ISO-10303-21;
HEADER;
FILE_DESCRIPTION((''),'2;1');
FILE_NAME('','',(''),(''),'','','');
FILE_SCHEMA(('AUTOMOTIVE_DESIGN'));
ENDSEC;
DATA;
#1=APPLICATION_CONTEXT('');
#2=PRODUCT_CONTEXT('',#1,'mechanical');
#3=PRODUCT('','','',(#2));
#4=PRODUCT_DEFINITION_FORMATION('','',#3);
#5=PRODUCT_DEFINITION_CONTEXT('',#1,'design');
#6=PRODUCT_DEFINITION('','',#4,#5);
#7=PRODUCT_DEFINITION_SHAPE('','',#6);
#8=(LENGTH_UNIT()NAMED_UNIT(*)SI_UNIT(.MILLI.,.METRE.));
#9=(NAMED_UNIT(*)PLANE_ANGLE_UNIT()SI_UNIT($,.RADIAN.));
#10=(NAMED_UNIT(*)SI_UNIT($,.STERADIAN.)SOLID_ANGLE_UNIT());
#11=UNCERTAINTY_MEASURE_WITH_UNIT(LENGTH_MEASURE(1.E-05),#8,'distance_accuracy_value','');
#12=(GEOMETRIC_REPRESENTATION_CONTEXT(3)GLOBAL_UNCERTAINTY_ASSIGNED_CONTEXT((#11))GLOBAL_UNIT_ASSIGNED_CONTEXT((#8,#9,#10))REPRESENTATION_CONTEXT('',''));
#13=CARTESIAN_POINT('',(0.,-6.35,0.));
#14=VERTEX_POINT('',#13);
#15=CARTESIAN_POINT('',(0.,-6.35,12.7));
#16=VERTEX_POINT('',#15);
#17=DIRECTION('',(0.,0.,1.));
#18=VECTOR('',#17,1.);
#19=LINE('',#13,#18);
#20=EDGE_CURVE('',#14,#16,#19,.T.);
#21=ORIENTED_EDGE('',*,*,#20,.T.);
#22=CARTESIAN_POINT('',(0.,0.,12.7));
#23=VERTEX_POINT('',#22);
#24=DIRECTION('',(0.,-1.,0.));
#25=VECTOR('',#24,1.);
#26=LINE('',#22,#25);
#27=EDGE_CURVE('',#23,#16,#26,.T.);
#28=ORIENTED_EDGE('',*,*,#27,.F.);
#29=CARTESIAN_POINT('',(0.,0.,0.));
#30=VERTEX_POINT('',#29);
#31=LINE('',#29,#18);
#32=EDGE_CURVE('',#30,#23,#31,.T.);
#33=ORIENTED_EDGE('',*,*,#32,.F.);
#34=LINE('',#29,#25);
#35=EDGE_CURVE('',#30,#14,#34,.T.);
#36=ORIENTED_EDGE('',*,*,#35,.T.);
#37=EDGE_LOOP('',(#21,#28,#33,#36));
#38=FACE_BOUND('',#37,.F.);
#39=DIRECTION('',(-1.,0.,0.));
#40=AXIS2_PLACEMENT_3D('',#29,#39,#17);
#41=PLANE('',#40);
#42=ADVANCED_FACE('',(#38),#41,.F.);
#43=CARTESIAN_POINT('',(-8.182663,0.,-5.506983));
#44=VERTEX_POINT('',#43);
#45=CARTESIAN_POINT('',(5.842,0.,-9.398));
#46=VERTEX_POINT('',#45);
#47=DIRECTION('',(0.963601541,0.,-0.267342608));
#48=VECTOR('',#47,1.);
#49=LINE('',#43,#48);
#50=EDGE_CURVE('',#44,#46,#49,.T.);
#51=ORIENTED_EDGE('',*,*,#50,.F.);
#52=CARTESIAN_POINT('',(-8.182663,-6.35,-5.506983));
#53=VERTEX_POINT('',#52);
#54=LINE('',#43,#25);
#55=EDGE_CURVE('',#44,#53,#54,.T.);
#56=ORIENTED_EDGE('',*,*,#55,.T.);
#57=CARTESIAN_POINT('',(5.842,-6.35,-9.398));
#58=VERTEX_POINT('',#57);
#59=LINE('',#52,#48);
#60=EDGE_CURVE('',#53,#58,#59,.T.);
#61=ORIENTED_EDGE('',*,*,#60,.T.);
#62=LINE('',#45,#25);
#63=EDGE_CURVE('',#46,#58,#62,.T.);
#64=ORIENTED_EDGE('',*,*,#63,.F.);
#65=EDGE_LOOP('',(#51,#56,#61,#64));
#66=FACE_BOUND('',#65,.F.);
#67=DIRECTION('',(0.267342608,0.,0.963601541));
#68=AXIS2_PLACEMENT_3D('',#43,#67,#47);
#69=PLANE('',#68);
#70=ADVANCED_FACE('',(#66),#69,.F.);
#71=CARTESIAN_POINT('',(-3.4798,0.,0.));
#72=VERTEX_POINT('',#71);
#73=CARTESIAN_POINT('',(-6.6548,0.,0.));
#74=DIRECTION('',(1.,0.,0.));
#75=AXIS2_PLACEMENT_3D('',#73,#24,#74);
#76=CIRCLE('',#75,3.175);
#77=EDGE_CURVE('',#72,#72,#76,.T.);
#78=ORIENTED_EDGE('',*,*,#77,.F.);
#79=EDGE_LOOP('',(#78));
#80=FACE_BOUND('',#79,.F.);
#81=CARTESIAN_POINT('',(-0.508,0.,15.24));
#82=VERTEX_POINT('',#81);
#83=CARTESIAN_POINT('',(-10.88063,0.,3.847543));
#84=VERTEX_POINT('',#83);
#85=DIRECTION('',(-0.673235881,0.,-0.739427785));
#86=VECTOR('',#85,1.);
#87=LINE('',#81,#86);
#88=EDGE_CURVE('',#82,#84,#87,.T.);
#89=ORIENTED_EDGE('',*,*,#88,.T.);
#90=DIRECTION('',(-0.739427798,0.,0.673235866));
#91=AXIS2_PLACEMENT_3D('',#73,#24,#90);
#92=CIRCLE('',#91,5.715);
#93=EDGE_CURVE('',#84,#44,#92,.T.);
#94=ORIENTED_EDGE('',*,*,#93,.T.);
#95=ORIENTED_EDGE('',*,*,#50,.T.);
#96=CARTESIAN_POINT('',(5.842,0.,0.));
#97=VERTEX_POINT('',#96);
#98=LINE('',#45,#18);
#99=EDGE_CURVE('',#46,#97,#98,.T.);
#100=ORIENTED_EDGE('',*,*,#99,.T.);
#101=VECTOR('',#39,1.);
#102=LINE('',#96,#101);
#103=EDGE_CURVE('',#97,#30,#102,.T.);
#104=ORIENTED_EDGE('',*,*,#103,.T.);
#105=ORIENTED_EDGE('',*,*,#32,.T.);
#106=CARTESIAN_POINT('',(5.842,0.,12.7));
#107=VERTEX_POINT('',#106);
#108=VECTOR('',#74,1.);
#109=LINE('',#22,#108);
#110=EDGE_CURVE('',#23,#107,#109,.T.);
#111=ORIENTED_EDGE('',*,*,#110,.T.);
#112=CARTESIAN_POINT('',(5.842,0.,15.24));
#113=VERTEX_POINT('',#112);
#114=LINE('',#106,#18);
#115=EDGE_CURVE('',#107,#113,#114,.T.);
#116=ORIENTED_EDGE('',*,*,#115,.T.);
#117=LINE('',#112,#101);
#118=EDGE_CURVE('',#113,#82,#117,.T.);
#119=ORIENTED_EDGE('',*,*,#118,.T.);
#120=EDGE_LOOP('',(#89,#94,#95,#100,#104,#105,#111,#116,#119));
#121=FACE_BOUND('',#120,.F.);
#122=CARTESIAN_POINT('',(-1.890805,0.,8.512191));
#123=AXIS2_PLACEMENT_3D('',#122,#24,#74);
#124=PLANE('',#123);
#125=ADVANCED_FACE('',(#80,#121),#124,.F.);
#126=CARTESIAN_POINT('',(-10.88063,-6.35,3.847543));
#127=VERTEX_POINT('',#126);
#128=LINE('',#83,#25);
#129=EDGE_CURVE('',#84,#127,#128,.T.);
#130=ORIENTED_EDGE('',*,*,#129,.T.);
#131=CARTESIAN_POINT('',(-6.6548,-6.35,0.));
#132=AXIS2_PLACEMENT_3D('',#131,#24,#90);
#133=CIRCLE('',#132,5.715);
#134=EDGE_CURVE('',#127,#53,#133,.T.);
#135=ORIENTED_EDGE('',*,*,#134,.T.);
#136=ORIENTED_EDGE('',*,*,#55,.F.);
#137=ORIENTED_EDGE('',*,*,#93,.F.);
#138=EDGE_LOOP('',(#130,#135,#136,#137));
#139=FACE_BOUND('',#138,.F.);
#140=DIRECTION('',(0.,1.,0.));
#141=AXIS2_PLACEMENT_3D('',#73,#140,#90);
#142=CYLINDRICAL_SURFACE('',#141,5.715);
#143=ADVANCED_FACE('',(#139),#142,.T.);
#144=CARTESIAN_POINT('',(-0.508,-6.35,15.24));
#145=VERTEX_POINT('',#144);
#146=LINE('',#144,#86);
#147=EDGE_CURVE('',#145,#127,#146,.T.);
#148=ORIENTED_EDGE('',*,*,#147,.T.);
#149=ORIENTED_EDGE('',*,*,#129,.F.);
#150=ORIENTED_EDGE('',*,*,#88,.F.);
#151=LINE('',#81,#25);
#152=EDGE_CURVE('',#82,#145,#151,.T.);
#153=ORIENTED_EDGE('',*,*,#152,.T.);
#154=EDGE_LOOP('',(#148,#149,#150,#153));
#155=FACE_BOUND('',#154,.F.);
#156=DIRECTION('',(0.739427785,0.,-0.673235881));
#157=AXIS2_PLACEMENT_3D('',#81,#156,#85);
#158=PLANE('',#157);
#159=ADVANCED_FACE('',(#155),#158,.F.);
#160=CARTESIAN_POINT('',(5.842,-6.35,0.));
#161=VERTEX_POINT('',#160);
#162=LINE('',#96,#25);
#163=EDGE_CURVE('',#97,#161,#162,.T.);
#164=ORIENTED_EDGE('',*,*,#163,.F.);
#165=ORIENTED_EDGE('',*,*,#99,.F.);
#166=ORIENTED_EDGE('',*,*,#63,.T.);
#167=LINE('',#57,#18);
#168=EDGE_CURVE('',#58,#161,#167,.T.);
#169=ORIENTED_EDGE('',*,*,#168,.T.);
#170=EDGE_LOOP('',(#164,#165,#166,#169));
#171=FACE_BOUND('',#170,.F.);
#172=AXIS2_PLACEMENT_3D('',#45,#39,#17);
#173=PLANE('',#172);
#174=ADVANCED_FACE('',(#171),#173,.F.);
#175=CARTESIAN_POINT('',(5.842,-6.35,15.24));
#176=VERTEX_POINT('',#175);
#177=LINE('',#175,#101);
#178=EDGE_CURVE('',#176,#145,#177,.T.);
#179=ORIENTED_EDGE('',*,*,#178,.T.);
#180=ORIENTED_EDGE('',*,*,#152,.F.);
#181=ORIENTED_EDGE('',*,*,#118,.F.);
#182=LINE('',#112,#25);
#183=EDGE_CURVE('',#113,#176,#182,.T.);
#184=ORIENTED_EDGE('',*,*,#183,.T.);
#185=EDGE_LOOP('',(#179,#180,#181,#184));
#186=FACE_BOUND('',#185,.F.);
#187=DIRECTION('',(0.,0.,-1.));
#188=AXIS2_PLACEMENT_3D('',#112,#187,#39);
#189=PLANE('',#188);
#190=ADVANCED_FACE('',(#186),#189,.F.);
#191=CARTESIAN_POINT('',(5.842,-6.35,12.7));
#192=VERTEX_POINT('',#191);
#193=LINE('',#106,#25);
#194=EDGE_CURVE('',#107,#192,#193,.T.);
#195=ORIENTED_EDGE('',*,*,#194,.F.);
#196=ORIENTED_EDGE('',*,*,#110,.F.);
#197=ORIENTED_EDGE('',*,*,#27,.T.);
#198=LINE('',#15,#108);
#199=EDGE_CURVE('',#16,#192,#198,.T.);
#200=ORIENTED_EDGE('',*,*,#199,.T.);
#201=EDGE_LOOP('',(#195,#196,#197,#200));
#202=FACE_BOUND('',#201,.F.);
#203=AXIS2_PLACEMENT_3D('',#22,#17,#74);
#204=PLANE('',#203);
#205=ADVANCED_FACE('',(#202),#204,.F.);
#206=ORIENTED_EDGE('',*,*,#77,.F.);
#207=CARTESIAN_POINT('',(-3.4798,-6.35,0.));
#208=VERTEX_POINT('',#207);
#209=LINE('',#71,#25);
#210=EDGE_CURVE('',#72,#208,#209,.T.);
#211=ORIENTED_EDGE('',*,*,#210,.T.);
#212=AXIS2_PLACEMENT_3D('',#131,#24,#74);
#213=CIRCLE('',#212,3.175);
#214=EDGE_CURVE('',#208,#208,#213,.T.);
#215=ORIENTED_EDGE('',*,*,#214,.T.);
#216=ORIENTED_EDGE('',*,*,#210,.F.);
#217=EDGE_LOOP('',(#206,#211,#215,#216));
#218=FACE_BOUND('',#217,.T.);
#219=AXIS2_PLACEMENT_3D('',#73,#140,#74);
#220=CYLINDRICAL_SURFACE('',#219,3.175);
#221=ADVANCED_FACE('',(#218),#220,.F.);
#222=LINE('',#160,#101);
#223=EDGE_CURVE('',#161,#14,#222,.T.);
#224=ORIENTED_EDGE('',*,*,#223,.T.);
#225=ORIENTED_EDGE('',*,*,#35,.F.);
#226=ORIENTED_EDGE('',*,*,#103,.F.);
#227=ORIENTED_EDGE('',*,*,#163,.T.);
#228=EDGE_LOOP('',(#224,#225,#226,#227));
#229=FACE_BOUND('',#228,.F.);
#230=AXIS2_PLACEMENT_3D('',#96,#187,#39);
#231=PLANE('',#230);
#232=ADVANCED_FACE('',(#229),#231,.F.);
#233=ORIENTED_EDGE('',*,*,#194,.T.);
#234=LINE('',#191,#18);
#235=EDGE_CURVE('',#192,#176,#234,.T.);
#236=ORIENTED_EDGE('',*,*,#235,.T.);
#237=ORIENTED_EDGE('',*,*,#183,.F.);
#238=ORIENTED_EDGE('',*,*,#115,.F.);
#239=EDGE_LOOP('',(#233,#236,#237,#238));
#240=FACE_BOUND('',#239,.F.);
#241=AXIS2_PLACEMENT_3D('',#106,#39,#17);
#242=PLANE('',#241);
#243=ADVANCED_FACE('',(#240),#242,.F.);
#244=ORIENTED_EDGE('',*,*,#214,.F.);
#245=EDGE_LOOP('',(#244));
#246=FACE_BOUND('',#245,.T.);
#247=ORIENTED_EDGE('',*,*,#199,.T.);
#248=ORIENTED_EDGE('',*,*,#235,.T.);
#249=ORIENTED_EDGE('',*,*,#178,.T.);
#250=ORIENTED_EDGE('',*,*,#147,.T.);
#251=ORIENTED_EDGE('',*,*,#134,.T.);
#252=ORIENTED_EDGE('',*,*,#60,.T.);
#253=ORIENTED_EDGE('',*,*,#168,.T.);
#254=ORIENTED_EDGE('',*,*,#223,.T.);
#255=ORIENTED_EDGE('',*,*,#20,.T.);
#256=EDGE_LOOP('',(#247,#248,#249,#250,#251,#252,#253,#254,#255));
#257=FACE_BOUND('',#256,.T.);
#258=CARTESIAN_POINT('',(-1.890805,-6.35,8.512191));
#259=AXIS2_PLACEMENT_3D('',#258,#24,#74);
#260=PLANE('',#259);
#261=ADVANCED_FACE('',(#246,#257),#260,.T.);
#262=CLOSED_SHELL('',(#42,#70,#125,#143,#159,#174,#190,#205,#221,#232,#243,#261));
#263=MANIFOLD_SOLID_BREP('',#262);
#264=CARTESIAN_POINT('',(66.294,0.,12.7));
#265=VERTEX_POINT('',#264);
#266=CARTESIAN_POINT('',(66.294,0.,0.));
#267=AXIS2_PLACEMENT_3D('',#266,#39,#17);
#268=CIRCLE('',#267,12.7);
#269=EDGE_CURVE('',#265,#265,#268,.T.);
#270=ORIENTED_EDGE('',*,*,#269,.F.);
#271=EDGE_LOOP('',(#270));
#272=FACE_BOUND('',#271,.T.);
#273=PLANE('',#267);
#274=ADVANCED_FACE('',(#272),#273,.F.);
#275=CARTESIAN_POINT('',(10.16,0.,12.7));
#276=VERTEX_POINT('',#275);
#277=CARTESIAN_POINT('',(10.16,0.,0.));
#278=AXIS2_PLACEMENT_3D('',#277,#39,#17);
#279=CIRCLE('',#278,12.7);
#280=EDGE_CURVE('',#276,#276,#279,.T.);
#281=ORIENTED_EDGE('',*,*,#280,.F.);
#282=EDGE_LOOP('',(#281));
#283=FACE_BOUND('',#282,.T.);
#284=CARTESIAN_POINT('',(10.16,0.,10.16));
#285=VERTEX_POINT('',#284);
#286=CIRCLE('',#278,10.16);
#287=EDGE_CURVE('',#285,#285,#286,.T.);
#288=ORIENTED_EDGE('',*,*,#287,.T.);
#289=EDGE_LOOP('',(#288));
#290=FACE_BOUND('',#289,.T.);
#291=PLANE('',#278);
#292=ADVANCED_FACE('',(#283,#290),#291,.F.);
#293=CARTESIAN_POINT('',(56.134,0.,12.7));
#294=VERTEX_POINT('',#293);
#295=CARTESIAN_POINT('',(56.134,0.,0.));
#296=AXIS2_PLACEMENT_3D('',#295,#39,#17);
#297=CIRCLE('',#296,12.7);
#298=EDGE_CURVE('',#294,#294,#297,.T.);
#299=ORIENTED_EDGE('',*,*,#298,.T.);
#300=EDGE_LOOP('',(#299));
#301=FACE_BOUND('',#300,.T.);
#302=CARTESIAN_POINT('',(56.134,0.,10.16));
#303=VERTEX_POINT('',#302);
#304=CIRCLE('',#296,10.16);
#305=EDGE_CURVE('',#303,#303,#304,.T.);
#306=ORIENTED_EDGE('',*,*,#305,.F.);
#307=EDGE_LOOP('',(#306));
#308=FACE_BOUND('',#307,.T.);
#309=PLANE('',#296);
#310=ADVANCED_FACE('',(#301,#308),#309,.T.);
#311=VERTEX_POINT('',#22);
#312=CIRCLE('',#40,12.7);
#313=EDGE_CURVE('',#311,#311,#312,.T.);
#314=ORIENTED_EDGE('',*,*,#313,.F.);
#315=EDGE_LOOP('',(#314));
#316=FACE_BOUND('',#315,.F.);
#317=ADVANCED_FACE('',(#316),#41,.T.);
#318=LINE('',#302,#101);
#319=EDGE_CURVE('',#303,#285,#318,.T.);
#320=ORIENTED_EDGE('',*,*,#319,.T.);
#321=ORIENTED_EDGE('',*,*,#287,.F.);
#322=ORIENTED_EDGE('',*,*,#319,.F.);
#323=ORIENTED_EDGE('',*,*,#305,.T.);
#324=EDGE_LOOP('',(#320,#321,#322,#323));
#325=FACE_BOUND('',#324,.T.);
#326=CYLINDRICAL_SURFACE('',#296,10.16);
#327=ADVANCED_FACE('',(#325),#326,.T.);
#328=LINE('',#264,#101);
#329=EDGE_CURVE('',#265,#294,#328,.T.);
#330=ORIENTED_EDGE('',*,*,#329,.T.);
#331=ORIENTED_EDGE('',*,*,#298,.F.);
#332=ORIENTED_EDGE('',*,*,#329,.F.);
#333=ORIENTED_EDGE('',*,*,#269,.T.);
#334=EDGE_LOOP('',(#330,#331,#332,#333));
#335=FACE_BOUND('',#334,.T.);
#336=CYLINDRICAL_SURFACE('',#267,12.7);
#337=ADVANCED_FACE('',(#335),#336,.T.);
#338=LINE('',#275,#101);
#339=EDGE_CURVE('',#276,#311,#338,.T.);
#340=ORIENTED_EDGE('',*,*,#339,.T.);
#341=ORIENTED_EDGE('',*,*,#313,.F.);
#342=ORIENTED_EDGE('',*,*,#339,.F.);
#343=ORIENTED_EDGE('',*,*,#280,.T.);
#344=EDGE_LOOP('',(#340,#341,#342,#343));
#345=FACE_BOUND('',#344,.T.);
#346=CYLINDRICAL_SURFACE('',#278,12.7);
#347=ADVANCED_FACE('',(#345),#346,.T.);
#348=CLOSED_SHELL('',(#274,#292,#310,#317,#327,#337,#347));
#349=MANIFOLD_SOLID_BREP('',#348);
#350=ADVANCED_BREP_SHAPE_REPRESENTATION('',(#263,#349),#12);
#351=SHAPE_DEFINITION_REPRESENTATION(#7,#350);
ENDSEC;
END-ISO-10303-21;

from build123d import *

# Parameters (mm, degrees)
F0_W     = 5.842
F0_H     = 12.7
F0_R     = 3.175
F2_DEPTH = 6.35


with BuildPart() as f1:
    # F0 (on Front) → F1 (revolve)
    with BuildSketch(Plane.XZ):
        with Locations((2.921, 6.35)):
            Rectangle(F0_W, F0_H)
        Polygon((5.842, 12.7), (5.842, 0), (66.294, 0), (66.294, 12.7), (56.134, 12.7), (56.134, 10.16), (10.16, 10.16), (10.16, 12.7), align=None)
    revolve(axis=Axis((33.147, 0, 0), (-1, 0, 0)))


with BuildPart() as f2:
    # F0 (on Front) → F2 (new body)
    with BuildSketch(Plane.XZ):
        with BuildLine():
            Line((-0.9398, 0), (0, 0))
            Line((0, 0), (0, 12.7))
            Line((0, 12.7), (5.842, 12.7))
            Line((5.842, 12.7), (5.842, 15.24))
            Line((5.842, 15.24), (-0.508, 15.24))
            Line((-0.508, 15.24), (-10.88063, 3.847543))
            ThreePointArc((-10.88063, 3.847543), (-4.591961, 5.329721), (-0.9398, 0))
        make_face()
        with BuildLine():
            ThreePointArc((-8.182663, -5.506983), (-3.195791, -4.549339), (-0.9398, 0))
            ThreePointArc((-0.9398, 0), (-4.591961, 5.329721), (-10.88063, 3.847543))
            ThreePointArc((-10.88063, 3.847543), (-12.145978, -1.583727), (-8.182663, -5.506983))
        make_face()
        with Locations((-6.6548, 0)):
            Circle(F0_R, mode=Mode.SUBTRACT)
        with BuildLine():
            Line((5.842, 0), (0, 0))
            Line((0, 0), (-0.9398, 0))
            ThreePointArc((-0.9398, 0), (-3.195791, -4.549339), (-8.182663, -5.506983))
            Line((-8.182663, -5.506983), (5.842, -9.398))
            Line((5.842, -9.398), (5.842, 0))
        make_face()
    extrude(amount=F2_DEPTH)


solid = Compound([f1.part, f2.part])
